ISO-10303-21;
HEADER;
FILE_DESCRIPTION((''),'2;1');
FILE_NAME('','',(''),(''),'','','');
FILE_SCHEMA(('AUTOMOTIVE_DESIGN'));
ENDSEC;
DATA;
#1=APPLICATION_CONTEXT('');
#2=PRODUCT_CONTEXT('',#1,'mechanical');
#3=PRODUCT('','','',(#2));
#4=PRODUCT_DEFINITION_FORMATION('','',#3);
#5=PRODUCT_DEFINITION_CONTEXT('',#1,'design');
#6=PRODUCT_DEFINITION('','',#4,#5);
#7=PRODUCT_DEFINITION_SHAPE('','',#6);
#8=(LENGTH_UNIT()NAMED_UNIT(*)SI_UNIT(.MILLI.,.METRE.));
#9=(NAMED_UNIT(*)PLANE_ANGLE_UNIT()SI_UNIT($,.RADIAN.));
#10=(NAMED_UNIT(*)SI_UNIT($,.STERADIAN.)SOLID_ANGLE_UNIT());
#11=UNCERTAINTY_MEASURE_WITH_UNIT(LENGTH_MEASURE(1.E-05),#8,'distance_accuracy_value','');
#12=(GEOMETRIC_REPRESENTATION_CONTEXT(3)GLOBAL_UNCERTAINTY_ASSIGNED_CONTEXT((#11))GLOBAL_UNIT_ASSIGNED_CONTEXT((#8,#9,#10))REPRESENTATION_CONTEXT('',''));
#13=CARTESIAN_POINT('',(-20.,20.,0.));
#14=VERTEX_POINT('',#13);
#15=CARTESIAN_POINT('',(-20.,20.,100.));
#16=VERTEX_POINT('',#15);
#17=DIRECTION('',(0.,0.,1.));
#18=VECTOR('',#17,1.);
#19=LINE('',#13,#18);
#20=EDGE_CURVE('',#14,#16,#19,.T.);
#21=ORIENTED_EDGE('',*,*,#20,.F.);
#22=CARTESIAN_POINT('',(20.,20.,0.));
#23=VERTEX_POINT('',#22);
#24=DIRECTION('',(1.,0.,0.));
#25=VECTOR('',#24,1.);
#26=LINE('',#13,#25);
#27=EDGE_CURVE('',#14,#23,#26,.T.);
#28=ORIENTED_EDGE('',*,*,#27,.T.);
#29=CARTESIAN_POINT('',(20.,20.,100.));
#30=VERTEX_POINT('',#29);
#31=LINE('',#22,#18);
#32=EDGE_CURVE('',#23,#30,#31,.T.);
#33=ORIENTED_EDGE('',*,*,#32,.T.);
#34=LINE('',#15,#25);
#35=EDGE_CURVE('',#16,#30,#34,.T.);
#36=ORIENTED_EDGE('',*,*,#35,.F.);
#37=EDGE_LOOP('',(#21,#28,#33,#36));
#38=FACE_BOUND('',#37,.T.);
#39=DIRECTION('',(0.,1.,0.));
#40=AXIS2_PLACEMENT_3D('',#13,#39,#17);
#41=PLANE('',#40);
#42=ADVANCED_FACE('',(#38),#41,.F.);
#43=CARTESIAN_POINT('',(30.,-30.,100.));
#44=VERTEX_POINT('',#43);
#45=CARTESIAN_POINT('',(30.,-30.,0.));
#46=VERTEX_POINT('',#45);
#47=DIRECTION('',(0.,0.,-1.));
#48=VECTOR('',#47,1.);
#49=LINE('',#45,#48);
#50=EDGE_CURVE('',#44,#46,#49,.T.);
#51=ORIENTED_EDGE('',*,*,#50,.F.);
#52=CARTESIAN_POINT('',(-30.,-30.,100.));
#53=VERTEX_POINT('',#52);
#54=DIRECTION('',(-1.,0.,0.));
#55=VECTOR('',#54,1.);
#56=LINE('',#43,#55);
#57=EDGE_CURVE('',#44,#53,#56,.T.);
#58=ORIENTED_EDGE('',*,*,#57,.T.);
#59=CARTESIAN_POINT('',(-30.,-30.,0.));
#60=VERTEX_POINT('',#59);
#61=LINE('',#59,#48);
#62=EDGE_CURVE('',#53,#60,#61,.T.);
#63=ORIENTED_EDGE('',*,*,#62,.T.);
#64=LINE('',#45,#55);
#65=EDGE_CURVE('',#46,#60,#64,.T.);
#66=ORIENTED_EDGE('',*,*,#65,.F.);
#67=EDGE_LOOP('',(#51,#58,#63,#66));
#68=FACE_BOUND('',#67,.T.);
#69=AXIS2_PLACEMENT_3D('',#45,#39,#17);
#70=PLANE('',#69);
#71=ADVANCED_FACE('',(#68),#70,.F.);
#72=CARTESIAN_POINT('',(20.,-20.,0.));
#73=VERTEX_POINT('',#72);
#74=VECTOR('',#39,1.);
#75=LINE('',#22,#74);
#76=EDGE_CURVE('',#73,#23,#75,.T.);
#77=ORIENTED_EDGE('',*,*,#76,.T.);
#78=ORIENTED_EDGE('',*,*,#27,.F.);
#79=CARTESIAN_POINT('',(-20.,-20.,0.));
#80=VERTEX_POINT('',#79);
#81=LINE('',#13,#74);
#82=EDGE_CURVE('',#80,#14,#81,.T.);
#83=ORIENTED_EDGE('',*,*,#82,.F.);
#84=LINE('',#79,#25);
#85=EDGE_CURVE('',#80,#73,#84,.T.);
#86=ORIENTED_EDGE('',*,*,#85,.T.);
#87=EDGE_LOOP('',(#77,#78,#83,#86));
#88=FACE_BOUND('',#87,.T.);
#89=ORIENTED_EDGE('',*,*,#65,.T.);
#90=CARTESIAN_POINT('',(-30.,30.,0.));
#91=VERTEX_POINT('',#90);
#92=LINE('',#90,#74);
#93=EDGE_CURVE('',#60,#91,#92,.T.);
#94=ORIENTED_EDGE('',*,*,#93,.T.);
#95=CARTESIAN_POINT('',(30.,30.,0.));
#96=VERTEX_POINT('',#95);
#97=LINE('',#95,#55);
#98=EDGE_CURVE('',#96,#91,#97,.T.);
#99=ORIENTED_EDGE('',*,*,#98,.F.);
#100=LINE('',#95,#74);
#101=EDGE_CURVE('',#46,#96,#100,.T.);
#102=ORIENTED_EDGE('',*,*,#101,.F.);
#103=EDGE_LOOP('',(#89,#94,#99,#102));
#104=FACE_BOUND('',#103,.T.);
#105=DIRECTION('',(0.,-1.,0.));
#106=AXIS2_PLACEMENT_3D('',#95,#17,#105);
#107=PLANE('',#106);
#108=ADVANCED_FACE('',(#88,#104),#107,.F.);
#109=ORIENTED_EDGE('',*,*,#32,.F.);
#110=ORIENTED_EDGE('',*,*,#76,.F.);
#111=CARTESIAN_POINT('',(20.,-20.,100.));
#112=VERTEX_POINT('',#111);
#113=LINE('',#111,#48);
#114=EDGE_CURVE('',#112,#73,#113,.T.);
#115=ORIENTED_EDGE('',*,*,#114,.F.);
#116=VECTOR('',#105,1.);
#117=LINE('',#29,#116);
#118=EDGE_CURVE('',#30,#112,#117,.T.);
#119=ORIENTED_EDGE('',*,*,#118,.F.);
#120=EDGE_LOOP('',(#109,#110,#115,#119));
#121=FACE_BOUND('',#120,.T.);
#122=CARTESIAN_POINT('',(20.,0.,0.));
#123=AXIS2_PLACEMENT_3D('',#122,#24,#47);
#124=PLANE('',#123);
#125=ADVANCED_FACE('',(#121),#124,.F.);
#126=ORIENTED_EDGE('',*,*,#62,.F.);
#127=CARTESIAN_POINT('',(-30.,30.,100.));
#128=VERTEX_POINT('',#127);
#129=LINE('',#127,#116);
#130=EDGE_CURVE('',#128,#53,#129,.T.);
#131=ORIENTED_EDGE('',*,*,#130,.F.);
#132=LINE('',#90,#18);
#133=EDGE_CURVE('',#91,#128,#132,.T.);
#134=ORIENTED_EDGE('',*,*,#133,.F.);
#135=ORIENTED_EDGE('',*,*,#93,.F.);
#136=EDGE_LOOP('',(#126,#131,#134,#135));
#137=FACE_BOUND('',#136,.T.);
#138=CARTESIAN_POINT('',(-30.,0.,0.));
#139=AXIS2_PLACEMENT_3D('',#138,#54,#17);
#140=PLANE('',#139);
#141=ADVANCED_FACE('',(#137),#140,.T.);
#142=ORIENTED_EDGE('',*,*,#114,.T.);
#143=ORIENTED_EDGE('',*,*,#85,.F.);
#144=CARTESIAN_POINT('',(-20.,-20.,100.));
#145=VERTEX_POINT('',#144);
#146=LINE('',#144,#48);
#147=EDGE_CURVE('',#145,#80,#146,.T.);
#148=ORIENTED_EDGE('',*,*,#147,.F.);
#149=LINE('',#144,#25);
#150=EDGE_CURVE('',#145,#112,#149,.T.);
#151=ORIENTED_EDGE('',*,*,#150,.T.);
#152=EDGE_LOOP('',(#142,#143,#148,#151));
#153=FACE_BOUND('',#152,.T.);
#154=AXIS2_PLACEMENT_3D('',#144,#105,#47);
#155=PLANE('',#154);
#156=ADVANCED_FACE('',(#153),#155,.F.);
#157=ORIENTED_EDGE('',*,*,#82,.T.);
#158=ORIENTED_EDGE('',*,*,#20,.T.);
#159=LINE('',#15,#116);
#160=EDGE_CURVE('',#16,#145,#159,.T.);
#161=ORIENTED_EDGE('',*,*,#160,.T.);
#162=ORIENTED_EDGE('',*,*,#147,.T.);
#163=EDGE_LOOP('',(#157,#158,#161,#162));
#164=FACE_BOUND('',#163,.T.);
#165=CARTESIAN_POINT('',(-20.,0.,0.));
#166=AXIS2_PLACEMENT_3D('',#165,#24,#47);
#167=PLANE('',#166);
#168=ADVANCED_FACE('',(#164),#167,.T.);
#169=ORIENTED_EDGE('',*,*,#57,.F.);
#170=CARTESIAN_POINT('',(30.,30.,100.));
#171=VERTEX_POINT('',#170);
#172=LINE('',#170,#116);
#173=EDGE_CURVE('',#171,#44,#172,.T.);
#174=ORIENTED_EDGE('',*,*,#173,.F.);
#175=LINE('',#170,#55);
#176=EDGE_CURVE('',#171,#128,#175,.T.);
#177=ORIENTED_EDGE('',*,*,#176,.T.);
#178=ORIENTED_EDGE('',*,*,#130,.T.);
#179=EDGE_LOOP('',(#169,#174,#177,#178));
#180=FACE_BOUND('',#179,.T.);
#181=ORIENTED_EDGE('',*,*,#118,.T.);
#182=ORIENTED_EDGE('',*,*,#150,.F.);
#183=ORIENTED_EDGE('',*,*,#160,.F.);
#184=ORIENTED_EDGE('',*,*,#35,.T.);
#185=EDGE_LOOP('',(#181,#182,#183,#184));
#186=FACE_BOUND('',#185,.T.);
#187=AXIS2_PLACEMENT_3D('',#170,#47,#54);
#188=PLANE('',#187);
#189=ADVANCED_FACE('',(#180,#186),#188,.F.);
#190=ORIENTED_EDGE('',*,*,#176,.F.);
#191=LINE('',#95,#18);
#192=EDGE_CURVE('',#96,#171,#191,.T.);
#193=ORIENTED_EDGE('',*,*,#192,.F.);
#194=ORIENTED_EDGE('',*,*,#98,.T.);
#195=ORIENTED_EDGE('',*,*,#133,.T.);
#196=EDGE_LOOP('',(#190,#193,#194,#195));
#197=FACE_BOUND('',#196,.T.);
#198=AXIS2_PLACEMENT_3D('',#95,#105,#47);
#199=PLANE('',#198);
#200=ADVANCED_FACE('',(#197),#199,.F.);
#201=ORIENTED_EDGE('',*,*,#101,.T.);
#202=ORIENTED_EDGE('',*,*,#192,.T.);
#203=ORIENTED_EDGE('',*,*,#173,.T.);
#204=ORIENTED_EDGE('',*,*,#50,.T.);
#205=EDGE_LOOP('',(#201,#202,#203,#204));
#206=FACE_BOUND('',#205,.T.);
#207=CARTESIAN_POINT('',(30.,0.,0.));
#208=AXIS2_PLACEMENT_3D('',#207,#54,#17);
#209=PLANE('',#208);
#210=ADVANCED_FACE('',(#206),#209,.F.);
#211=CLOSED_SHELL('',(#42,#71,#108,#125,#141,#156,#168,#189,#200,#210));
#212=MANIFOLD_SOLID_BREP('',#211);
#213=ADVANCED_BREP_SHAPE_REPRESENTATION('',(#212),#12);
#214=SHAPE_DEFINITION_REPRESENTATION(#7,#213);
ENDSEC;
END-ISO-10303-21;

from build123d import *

# Parameters (mm, degrees)
SKETCH1_W           = 100
SKETCH1_H           = 60
BOSS_EXTRUDE1_DEPTH = 30
SKETCH2_W           = 100
SKETCH2_H           = 40
CUT_EXTRUDE1_DEPTH  = 20


with BuildPart() as part:
    # Sketch1 → Boss-Extrude1 (new, symmetric)
    with BuildSketch(Plane(origin=(0, 0, 0), x_dir=(0, 0, -1), z_dir=(1, 0, 0))):
        with Locations((-50, 0)):
            Rectangle(SKETCH1_W, SKETCH1_H)
    extrude(amount=BOSS_EXTRUDE1_DEPTH, both=True)

    # Sketch2 → Cut-Extrude1 (cut, symmetric)
    with BuildSketch(Plane(origin=(0, 0, 0), x_dir=(0, 0, -1), z_dir=(1, 0, 0))):
        with Locations((-50, 0)):
            Rectangle(SKETCH2_W, SKETCH2_H)
    extrude(amount=CUT_EXTRUDE1_DEPTH, both=True, mode=Mode.SUBTRACT)


solid = part.part
